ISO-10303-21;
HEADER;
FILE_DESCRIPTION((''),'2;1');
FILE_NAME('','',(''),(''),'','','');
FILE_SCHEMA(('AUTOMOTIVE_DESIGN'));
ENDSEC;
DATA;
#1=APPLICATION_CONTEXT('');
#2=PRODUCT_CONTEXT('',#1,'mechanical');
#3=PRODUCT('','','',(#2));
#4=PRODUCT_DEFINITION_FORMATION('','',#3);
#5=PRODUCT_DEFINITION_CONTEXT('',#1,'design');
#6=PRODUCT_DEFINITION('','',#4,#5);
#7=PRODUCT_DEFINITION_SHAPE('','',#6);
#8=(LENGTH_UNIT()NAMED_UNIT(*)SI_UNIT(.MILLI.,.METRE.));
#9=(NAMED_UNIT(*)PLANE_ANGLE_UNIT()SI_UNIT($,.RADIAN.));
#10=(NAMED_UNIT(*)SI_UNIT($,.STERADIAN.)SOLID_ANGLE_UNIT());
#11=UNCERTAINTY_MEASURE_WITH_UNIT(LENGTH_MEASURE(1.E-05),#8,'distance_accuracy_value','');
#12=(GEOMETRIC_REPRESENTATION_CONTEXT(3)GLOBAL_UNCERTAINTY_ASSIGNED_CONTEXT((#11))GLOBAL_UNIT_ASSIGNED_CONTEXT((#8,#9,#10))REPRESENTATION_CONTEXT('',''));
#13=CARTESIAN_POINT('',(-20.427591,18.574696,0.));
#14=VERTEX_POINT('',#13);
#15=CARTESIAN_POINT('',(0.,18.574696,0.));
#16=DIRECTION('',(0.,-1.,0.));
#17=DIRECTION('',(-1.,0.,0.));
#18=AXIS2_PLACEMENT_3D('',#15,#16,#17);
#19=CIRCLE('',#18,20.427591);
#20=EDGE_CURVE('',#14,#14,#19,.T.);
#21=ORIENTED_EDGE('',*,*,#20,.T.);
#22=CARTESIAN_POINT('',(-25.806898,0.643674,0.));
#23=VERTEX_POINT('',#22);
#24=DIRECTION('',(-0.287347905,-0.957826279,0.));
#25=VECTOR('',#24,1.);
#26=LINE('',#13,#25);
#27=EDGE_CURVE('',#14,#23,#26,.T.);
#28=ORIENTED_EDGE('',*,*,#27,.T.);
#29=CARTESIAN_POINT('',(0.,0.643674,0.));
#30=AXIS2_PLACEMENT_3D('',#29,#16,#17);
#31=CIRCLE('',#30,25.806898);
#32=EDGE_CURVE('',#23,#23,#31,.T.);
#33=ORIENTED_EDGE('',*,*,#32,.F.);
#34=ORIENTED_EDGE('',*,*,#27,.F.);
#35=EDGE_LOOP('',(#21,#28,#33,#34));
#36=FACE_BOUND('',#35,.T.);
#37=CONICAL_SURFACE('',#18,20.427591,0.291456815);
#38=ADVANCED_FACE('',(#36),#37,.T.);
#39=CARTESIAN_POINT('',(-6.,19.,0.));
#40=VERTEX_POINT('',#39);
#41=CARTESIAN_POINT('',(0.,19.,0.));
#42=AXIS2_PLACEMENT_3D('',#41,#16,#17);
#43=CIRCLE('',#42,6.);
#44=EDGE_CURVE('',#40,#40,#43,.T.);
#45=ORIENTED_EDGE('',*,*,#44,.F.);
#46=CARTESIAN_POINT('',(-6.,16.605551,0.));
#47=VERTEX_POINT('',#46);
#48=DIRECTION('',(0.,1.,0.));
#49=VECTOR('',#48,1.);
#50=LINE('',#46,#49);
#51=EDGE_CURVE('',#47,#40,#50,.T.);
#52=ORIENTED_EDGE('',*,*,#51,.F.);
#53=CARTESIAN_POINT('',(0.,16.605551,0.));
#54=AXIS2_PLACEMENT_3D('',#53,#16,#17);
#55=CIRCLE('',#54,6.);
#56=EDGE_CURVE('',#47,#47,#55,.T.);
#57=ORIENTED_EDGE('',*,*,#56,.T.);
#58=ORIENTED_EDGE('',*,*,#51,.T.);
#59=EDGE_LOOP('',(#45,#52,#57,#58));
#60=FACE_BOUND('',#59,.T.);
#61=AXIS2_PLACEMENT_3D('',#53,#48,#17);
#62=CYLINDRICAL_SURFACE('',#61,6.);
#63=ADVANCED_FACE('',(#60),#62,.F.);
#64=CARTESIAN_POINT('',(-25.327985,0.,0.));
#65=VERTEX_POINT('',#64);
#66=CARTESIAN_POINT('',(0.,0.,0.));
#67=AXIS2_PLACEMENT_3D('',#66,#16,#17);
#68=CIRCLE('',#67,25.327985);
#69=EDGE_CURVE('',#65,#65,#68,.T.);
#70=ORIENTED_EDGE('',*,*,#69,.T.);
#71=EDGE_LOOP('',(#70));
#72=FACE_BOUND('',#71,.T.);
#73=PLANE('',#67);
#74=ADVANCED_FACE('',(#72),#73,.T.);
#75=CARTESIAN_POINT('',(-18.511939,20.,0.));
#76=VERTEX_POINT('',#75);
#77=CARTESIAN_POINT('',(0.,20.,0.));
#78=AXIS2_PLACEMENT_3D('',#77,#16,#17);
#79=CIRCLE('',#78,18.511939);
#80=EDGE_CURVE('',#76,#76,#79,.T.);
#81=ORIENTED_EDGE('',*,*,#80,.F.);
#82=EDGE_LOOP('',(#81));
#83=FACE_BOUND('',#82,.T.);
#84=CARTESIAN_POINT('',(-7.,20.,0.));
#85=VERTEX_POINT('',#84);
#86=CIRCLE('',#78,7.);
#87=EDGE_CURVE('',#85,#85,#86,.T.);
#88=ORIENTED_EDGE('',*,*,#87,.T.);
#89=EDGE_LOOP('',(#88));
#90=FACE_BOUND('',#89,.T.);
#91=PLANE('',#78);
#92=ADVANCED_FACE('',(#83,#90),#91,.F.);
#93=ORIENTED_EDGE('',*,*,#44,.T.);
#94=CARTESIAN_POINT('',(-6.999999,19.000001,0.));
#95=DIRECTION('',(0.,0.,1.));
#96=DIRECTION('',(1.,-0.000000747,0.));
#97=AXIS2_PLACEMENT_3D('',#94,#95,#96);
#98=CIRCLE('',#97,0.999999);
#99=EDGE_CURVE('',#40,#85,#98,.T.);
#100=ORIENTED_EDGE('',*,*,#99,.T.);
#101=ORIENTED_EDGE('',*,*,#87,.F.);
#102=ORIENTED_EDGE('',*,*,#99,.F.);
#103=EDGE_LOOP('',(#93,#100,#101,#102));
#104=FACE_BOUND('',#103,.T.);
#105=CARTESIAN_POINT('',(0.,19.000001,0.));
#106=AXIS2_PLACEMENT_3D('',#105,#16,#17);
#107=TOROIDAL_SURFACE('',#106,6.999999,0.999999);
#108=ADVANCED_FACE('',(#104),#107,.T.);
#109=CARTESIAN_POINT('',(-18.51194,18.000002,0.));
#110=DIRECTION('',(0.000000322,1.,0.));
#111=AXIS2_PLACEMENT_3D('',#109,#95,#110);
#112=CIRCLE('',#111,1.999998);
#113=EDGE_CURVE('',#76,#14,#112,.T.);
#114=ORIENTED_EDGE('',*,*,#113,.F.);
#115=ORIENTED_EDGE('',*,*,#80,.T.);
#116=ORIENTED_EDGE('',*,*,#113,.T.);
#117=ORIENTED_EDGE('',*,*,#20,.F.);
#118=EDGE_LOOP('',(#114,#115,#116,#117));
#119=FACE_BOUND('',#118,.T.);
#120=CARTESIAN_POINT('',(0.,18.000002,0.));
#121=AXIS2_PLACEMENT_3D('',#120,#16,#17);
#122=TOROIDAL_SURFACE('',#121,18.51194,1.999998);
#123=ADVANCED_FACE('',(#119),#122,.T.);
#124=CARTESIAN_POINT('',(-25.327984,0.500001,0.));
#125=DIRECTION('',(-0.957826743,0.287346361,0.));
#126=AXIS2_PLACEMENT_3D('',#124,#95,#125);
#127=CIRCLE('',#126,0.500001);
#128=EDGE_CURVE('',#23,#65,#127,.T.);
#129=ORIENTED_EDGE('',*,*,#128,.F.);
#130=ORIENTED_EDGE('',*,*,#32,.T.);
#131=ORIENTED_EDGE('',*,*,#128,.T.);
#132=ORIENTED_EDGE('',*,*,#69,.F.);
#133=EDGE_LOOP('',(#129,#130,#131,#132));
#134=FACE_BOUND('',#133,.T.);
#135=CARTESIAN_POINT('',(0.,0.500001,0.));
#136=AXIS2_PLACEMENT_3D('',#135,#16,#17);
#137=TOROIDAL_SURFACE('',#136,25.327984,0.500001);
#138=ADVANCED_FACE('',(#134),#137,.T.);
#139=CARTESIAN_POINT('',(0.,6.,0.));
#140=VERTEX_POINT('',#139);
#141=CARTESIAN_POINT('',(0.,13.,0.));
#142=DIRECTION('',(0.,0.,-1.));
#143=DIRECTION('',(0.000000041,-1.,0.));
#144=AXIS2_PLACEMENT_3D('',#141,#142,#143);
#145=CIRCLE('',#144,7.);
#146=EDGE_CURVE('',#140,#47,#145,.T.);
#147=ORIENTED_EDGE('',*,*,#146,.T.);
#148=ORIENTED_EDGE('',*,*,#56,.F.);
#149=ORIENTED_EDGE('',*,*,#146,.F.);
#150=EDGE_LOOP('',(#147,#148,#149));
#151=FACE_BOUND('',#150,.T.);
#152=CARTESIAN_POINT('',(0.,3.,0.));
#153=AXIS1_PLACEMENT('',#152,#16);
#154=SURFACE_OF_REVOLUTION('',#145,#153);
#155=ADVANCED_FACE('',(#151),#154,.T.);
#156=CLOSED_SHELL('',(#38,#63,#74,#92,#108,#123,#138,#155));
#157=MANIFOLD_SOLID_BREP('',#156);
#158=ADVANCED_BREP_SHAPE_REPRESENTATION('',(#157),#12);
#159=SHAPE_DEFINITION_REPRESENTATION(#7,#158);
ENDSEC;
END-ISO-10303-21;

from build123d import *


with BuildPart() as f1:
    # F0 (on Top) → F1 (revolve)
    with BuildSketch(Plane.XY):
        with BuildLine():
            Line((-20.427591, 18.574696), (-25.806898, 0.643674))
            ThreePointArc((-25.806898, 0.643674), (-25.729131, 0.201535), (-25.327985, 0))
            Line((-25.327985, 0), (-6, 0))
            Line((-6, 0), (0, 0))
            Line((0, 0), (0, 6))
            ThreePointArc((0, 6), (-6.092572, 9.55318), (-6, 16.605551))
            Line((-6, 16.605551), (-6, 19))
            ThreePointArc((-6, 19), (-6.292893, 19.707107), (-7, 20))
            Line((-7, 20), (-18.511939, 20))
            ThreePointArc((-18.511939, 20), (-19.7058, 19.604586), (-20.427591, 18.574696))
        make_face()
    revolve(axis=Axis((0, 3, 0), (0, -1, 0)))


solid = f1.part
